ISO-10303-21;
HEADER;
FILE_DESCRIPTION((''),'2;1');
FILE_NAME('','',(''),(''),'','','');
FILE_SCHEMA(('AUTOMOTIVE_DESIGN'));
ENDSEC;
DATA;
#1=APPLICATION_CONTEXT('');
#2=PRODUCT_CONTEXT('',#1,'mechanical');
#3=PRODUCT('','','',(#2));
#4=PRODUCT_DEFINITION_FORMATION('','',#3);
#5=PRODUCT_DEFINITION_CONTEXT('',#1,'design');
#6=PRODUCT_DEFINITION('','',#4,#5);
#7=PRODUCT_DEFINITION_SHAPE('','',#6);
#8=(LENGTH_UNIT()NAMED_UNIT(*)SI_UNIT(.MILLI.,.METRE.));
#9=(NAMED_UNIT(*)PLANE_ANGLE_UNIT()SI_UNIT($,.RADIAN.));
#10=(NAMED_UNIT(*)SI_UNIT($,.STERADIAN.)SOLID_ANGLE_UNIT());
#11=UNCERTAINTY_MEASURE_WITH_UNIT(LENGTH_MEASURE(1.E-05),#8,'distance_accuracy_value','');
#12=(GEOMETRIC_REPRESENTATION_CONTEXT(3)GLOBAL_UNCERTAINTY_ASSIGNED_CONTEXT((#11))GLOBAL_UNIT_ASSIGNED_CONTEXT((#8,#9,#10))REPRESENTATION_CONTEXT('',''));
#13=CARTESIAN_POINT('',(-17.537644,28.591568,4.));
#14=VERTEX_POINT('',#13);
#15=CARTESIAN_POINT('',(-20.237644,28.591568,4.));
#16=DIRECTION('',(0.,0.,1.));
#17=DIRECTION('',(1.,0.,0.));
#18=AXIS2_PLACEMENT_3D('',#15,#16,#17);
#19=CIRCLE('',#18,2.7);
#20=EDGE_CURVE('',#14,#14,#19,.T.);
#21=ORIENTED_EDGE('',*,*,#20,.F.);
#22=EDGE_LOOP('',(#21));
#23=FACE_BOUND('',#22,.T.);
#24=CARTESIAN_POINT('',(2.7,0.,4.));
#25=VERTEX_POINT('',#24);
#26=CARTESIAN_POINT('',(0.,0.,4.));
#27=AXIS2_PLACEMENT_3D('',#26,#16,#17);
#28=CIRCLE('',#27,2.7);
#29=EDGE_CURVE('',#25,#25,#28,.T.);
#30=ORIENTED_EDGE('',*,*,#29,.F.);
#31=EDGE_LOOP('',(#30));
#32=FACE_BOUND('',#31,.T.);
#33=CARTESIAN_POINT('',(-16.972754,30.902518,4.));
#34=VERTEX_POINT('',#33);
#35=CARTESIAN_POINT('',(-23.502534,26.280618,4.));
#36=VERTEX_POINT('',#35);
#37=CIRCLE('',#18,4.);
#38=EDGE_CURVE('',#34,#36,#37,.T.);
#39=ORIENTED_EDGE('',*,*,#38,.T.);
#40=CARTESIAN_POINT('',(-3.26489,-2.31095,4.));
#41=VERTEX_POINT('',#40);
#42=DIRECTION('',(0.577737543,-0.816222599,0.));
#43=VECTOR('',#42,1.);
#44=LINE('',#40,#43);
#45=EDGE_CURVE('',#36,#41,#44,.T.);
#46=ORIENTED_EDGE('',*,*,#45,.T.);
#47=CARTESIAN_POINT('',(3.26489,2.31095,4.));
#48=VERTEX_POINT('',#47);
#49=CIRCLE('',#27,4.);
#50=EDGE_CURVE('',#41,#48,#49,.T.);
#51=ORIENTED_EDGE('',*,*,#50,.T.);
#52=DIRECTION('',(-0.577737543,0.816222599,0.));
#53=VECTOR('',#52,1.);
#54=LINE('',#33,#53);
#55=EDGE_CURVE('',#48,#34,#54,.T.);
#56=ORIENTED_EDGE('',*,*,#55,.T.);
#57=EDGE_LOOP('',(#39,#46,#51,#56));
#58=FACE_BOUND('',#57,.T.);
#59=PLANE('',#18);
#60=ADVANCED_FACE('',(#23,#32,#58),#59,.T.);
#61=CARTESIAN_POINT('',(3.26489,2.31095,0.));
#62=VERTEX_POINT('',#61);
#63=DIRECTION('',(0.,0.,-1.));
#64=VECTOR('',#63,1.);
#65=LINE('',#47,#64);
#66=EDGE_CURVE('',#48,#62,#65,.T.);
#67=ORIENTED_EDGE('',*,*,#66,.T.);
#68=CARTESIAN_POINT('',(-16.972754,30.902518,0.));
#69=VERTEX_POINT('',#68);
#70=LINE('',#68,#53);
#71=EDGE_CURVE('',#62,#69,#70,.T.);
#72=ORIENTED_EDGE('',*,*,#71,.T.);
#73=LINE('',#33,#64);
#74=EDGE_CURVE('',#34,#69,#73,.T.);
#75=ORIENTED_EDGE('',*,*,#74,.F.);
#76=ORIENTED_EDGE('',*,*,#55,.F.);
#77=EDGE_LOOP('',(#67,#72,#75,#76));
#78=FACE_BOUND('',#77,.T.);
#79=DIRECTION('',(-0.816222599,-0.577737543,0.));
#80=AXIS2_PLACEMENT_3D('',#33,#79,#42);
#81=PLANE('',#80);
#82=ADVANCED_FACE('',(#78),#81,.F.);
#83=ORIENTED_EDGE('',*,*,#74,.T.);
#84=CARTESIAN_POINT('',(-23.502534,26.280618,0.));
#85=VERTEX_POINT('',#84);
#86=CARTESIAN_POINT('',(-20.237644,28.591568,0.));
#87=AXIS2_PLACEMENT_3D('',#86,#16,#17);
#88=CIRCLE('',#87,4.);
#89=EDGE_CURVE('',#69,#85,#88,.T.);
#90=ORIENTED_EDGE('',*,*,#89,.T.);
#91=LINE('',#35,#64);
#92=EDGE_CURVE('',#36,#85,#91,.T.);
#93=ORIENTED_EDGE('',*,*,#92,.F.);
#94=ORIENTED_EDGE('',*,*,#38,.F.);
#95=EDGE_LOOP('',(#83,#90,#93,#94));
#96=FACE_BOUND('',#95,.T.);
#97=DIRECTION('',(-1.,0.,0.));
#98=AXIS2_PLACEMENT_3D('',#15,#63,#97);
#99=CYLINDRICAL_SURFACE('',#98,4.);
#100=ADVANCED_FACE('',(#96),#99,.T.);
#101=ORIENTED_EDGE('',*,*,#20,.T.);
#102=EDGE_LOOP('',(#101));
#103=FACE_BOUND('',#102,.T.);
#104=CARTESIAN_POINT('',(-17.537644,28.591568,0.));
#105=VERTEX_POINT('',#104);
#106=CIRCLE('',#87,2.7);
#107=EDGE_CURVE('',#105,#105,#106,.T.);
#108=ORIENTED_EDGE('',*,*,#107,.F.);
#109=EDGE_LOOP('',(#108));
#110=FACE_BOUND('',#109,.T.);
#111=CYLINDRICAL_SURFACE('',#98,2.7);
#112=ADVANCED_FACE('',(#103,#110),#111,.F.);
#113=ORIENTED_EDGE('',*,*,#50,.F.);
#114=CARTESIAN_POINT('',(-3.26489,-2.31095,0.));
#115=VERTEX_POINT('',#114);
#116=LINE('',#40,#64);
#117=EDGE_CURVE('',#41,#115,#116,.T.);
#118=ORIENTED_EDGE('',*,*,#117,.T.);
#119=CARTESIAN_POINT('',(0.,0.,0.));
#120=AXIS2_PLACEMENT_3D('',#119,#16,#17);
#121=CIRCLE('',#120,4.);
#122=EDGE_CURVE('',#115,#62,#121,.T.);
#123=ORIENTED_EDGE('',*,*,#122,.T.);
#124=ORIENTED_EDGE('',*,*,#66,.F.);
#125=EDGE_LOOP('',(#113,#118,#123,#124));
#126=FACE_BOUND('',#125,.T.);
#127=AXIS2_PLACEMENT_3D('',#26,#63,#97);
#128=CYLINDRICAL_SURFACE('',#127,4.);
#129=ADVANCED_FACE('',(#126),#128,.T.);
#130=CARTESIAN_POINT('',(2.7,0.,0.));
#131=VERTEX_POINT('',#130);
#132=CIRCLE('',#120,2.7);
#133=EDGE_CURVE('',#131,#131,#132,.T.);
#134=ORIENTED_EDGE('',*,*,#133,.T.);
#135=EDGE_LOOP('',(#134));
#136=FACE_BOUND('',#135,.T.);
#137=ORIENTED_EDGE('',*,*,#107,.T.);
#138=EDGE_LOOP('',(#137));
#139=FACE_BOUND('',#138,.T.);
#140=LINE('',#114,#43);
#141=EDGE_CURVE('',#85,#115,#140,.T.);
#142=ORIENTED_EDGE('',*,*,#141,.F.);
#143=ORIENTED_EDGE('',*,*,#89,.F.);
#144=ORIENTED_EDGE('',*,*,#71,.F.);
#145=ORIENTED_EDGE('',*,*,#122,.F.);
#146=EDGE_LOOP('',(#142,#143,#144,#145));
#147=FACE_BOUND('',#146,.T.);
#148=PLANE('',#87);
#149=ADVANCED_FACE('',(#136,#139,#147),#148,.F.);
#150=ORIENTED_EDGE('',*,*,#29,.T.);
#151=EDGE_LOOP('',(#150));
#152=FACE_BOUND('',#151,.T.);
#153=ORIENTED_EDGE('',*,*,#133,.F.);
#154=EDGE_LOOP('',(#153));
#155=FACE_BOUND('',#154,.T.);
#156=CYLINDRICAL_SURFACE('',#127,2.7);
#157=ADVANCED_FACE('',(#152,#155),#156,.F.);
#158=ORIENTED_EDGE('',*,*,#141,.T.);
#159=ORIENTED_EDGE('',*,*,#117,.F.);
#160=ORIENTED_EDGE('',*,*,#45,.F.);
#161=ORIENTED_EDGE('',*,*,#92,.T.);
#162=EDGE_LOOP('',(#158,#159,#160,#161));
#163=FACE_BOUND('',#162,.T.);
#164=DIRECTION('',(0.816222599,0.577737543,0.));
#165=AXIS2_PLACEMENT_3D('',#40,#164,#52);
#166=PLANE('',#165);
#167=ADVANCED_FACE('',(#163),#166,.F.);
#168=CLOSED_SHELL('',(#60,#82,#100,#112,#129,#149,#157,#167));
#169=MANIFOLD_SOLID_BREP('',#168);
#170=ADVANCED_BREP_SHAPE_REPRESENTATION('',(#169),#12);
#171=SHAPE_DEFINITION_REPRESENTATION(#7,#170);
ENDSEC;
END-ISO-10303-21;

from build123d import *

# Parameters (mm, degrees)
SKETCH1_R           = 2.7
BOSS_EXTRUDE1_DEPTH = 4


with BuildPart() as part:
    # Sketch1 → Boss-Extrude1 (new body)
    with BuildSketch(Plane.XY):
        with BuildLine():
            Line((-16.972753507, 30.902518279), (3.264890397, 2.310950172))
            ThreePointArc((3.264890397, 2.310950172), (2.310950172, -3.264890397), (-3.264890397, -2.310950172))
            Line((-3.264890397, -2.310950172), (-23.5025343, 26.280617935))
            ThreePointArc((-23.5025343, 26.280617935), (-22.548594075, 31.856458504), (-16.972753507, 30.902518279))
        make_face()
        Circle(SKETCH1_R, mode=Mode.SUBTRACT)
        with Locations((-20.237643903, 28.591568107)):
            Circle(SKETCH1_R, mode=Mode.SUBTRACT)
    extrude(amount=BOSS_EXTRUDE1_DEPTH)


solid = part.part
